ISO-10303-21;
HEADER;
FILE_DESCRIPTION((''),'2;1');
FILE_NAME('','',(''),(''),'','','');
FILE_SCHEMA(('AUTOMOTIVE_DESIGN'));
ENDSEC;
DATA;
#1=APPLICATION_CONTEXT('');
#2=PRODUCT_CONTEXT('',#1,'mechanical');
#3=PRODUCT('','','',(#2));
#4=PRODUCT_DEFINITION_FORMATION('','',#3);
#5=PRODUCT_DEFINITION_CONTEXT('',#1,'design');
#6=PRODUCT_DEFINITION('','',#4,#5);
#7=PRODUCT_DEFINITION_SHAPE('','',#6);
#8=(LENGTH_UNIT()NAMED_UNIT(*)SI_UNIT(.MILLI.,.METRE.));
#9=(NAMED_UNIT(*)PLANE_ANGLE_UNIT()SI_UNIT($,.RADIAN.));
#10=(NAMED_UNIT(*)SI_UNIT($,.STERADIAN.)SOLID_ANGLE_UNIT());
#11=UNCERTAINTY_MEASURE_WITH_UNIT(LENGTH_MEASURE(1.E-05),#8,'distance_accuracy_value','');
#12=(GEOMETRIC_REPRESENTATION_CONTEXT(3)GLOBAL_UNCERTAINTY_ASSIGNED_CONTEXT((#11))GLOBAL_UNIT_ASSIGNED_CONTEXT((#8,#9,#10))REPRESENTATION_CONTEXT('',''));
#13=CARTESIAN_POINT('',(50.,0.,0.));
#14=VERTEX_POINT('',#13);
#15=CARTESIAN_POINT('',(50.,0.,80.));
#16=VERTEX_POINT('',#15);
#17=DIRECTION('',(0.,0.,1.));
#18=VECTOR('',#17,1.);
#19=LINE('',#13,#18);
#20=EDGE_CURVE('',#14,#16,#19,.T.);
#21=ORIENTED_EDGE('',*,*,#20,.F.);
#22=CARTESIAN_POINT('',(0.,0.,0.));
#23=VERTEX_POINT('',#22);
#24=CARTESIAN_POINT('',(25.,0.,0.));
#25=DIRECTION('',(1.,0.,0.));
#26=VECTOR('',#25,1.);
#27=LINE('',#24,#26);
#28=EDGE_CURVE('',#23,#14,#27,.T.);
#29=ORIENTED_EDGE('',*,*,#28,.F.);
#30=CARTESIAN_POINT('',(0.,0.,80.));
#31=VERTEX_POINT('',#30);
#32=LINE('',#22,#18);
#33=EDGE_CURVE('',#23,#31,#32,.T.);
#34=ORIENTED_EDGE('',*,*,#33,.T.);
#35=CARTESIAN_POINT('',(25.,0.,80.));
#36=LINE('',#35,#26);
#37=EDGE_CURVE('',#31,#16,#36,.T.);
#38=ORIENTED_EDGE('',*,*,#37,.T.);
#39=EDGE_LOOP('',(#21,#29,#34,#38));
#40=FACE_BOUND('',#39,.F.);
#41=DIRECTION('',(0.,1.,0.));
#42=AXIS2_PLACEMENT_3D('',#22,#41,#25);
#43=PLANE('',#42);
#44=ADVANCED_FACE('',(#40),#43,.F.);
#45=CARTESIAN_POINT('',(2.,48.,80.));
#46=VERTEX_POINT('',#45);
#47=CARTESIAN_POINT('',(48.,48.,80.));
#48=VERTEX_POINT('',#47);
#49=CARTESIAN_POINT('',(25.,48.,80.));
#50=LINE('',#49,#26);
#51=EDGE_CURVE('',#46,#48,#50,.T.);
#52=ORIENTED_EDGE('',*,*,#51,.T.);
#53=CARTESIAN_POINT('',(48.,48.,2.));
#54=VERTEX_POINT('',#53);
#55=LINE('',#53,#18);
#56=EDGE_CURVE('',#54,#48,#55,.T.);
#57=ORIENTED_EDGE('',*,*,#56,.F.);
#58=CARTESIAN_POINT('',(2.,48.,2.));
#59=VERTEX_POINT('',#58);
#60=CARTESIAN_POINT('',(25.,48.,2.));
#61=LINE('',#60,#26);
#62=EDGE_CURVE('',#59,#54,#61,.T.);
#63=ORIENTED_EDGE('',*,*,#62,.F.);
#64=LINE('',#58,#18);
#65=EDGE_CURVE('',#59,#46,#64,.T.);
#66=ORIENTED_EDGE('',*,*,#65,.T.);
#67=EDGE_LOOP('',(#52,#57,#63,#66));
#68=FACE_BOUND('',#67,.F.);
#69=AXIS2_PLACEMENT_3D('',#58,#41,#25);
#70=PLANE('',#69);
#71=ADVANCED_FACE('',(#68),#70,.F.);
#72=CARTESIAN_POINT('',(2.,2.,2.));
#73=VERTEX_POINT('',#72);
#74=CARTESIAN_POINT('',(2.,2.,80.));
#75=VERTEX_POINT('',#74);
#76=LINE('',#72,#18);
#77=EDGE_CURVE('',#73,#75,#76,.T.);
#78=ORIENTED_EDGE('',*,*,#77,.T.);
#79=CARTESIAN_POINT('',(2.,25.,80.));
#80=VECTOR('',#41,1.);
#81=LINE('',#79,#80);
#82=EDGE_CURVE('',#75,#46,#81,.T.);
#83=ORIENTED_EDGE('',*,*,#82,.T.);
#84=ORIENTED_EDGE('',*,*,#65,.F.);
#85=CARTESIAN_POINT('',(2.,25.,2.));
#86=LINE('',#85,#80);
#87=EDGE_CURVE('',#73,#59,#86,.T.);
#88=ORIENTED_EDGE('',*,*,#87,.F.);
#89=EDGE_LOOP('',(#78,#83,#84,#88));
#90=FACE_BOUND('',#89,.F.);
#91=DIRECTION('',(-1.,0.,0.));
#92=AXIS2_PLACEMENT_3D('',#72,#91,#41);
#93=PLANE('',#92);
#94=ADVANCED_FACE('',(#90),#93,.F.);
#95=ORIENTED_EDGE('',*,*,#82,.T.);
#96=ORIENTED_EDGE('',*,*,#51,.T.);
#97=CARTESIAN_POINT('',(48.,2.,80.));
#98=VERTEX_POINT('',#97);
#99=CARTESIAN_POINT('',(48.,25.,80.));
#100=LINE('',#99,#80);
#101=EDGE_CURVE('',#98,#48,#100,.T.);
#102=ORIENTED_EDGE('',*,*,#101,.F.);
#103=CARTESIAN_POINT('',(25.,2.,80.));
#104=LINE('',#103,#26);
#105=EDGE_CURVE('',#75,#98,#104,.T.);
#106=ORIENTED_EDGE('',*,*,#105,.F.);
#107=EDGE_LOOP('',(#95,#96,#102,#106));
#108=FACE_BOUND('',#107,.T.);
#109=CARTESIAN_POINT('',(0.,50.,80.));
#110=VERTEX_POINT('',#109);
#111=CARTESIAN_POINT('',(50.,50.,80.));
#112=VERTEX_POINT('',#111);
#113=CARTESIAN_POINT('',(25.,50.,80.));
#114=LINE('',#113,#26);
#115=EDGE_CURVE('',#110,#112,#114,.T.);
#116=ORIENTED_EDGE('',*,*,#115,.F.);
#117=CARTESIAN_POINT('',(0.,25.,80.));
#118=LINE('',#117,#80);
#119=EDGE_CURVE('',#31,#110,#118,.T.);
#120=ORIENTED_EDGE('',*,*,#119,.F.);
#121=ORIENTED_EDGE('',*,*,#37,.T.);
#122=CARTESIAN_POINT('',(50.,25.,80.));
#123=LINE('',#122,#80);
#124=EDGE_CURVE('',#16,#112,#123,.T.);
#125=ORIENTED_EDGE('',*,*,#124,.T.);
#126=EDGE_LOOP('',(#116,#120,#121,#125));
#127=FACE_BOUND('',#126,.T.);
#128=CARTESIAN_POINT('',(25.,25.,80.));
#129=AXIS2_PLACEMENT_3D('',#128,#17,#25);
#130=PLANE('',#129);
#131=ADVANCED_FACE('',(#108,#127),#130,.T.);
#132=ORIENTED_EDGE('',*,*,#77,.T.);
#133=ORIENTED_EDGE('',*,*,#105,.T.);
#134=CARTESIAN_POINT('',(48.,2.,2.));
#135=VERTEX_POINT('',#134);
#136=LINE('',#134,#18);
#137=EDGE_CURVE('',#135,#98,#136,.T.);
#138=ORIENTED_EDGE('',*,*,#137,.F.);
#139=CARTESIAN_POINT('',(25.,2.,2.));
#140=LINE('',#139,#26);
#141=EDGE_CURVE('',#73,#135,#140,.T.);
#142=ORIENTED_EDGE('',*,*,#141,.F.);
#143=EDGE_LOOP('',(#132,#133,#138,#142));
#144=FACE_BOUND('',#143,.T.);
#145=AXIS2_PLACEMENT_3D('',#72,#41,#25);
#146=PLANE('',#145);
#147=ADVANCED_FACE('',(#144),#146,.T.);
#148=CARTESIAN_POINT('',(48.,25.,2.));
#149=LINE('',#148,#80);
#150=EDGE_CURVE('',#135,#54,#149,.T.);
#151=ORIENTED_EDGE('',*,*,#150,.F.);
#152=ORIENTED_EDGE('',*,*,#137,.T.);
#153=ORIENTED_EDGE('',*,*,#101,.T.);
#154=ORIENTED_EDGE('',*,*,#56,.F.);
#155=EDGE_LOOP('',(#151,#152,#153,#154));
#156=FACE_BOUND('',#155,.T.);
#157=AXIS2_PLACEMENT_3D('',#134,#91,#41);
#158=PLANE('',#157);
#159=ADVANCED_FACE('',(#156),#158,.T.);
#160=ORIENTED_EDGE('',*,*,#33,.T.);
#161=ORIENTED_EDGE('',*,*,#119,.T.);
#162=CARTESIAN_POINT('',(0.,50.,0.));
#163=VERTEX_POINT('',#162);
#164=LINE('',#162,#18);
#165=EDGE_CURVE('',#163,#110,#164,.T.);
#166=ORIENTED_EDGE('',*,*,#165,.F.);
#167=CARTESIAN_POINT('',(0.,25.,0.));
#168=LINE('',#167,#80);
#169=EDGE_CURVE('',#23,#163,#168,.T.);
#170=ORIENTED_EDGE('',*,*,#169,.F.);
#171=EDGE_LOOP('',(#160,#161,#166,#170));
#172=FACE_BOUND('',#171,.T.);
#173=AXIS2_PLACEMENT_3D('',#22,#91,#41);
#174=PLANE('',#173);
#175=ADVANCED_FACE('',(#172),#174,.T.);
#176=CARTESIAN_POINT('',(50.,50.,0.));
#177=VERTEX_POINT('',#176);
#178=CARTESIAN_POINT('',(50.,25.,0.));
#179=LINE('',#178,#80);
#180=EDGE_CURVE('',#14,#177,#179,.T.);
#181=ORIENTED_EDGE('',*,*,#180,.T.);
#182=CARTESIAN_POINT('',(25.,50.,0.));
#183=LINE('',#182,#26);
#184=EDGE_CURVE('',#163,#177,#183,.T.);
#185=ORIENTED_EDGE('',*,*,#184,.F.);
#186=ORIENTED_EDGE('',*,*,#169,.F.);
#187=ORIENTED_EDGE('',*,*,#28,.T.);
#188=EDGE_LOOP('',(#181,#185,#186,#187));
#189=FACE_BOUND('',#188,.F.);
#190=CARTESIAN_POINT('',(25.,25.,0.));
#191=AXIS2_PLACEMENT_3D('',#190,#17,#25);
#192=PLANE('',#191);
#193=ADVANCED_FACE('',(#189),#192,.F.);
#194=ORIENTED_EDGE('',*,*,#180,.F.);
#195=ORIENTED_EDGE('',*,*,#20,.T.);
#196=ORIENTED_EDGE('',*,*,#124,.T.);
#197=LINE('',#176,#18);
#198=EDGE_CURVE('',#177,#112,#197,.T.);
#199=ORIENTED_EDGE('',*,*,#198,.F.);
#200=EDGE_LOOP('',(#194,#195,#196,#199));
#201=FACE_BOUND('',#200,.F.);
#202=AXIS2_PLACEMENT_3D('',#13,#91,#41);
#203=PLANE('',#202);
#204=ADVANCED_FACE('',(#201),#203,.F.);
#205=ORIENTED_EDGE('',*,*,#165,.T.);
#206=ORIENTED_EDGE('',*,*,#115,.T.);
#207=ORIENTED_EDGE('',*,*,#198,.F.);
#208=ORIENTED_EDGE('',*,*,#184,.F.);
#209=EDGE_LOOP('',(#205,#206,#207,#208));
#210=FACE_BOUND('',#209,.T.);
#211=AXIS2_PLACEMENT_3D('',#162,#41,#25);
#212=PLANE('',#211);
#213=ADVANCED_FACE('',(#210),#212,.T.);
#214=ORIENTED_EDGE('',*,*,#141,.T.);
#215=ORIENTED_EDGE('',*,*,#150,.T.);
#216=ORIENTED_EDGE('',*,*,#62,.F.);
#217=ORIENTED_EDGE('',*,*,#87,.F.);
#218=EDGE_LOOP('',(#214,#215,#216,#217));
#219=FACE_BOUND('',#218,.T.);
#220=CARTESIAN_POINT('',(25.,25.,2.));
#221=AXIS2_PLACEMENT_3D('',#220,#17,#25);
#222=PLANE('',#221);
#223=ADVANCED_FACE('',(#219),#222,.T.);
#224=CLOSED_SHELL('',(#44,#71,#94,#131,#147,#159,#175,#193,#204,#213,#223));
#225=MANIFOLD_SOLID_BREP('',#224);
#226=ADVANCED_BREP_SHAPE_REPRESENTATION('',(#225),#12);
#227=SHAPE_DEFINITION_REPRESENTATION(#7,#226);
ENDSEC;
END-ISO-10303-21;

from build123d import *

# Parameters (mm, degrees)
BOX001_W     = 46
BOX001_H     = 46
BOX001_DEPTH = 78
BOX_W        = 50
BOX_H        = 50
BOX_DEPTH    = 80


with BuildPart() as cube001:
    # Box001 → Box001 (new body)
    with BuildSketch(Plane(origin=(2, 2, 2), x_dir=(1, 0, 0), z_dir=(0, 0, 1))):
        with Locations((23, 23)):
            Rectangle(BOX001_W, BOX001_H)
    extrude(amount=BOX001_DEPTH)


with BuildPart() as cut:
    # Box → Box (new body)
    with BuildSketch(Plane.XY):
        with Locations((25, 25)):
            Rectangle(BOX_W, BOX_H)
    extrude(amount=BOX_DEPTH)

    # Cut: cut Cube001
    add(cube001.part, mode=Mode.SUBTRACT)


solid = cut.part
